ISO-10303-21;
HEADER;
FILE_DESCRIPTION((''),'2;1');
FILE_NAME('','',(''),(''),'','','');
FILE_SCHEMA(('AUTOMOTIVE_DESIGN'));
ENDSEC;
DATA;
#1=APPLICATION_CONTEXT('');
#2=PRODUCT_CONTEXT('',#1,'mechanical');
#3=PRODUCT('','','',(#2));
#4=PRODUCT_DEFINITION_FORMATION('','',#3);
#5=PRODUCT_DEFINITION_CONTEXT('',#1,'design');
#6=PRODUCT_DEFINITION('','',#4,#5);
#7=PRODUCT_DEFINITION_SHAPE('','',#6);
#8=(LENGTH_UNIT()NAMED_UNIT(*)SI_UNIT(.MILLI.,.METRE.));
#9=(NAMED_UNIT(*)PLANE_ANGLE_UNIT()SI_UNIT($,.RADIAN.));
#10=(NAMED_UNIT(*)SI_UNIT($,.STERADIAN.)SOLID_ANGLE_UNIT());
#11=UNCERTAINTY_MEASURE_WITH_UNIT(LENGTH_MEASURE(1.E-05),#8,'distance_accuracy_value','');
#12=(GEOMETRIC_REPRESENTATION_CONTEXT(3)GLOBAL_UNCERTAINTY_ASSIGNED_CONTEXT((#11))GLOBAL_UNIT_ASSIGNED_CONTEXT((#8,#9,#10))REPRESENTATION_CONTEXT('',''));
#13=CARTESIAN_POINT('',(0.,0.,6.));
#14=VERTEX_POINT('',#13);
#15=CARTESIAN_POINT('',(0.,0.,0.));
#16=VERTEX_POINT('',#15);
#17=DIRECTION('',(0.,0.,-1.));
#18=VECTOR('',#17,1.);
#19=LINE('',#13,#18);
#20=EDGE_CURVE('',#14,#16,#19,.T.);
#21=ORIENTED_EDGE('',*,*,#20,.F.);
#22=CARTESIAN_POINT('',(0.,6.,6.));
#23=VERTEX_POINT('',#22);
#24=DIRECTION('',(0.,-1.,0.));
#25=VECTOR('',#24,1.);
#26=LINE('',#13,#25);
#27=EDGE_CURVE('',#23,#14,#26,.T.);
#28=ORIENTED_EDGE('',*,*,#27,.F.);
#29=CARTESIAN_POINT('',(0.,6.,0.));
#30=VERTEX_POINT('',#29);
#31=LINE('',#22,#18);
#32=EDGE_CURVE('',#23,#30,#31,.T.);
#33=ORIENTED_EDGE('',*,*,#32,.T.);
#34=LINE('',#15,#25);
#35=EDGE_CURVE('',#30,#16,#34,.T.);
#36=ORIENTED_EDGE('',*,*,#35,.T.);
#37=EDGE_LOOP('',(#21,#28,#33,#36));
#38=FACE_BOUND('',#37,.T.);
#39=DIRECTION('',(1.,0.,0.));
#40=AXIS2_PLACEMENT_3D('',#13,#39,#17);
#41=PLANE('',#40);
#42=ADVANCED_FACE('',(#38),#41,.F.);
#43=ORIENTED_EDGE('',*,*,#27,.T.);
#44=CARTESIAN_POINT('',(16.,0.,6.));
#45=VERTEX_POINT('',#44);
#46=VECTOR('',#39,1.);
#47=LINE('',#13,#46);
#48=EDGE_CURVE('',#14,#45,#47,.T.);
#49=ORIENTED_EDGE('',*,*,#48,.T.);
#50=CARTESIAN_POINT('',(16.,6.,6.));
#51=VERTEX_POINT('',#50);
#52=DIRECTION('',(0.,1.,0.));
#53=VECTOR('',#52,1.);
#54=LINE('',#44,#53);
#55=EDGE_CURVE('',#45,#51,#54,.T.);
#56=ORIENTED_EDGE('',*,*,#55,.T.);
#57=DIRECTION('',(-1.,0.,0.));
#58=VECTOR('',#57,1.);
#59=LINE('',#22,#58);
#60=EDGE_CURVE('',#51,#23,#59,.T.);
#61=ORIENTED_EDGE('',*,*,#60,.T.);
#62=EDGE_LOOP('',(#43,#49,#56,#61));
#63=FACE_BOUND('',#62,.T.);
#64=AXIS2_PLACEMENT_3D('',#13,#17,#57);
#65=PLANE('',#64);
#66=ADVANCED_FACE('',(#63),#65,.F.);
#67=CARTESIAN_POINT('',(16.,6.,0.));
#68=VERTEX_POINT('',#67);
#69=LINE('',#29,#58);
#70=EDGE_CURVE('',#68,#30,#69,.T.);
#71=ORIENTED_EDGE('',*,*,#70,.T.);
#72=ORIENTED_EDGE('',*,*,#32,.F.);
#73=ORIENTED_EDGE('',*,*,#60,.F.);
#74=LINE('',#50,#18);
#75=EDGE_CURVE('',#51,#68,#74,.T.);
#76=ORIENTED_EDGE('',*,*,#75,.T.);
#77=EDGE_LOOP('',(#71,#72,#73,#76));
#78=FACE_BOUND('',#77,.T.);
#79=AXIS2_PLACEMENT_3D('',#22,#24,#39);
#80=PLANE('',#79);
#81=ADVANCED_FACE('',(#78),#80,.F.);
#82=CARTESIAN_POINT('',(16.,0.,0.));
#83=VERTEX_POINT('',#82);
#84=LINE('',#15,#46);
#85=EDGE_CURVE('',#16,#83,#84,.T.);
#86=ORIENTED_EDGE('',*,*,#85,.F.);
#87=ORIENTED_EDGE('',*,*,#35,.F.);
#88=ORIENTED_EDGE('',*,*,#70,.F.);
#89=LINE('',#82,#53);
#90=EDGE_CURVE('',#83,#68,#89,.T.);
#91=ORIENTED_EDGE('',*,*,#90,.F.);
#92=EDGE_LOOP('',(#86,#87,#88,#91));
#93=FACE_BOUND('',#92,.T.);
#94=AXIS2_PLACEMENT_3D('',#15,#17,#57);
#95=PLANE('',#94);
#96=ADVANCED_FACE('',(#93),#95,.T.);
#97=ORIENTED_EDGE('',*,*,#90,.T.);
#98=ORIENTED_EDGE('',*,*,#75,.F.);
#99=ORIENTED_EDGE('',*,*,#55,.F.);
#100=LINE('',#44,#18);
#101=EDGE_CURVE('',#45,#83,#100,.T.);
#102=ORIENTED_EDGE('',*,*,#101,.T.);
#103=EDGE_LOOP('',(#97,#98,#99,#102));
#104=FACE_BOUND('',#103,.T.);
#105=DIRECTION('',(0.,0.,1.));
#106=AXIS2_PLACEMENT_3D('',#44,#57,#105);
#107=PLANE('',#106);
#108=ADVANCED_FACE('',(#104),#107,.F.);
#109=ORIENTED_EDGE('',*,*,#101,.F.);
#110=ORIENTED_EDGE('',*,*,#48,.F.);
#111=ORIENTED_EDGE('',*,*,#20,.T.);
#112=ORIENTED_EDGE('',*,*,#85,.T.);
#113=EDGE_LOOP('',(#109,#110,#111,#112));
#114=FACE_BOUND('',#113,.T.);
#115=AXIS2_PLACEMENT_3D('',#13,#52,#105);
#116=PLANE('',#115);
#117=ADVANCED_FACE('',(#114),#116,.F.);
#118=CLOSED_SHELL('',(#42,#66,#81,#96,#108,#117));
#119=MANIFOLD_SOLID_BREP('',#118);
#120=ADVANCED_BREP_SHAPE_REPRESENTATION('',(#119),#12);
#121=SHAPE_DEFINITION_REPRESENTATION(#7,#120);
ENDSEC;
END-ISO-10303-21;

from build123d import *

# Parameters (mm, degrees)
ESQUISSE1_W      = 16
ESQUISSE1_H      = 6
EXTRUSION1_DEPTH = 6


with BuildPart() as part:
    # Esquisse1 → Extrusion1 (new body)
    with BuildSketch(Plane.XY):
        with Locations((8, 3)):
            Rectangle(ESQUISSE1_W, ESQUISSE1_H)
    extrude(amount=EXTRUSION1_DEPTH)


solid = part.part
